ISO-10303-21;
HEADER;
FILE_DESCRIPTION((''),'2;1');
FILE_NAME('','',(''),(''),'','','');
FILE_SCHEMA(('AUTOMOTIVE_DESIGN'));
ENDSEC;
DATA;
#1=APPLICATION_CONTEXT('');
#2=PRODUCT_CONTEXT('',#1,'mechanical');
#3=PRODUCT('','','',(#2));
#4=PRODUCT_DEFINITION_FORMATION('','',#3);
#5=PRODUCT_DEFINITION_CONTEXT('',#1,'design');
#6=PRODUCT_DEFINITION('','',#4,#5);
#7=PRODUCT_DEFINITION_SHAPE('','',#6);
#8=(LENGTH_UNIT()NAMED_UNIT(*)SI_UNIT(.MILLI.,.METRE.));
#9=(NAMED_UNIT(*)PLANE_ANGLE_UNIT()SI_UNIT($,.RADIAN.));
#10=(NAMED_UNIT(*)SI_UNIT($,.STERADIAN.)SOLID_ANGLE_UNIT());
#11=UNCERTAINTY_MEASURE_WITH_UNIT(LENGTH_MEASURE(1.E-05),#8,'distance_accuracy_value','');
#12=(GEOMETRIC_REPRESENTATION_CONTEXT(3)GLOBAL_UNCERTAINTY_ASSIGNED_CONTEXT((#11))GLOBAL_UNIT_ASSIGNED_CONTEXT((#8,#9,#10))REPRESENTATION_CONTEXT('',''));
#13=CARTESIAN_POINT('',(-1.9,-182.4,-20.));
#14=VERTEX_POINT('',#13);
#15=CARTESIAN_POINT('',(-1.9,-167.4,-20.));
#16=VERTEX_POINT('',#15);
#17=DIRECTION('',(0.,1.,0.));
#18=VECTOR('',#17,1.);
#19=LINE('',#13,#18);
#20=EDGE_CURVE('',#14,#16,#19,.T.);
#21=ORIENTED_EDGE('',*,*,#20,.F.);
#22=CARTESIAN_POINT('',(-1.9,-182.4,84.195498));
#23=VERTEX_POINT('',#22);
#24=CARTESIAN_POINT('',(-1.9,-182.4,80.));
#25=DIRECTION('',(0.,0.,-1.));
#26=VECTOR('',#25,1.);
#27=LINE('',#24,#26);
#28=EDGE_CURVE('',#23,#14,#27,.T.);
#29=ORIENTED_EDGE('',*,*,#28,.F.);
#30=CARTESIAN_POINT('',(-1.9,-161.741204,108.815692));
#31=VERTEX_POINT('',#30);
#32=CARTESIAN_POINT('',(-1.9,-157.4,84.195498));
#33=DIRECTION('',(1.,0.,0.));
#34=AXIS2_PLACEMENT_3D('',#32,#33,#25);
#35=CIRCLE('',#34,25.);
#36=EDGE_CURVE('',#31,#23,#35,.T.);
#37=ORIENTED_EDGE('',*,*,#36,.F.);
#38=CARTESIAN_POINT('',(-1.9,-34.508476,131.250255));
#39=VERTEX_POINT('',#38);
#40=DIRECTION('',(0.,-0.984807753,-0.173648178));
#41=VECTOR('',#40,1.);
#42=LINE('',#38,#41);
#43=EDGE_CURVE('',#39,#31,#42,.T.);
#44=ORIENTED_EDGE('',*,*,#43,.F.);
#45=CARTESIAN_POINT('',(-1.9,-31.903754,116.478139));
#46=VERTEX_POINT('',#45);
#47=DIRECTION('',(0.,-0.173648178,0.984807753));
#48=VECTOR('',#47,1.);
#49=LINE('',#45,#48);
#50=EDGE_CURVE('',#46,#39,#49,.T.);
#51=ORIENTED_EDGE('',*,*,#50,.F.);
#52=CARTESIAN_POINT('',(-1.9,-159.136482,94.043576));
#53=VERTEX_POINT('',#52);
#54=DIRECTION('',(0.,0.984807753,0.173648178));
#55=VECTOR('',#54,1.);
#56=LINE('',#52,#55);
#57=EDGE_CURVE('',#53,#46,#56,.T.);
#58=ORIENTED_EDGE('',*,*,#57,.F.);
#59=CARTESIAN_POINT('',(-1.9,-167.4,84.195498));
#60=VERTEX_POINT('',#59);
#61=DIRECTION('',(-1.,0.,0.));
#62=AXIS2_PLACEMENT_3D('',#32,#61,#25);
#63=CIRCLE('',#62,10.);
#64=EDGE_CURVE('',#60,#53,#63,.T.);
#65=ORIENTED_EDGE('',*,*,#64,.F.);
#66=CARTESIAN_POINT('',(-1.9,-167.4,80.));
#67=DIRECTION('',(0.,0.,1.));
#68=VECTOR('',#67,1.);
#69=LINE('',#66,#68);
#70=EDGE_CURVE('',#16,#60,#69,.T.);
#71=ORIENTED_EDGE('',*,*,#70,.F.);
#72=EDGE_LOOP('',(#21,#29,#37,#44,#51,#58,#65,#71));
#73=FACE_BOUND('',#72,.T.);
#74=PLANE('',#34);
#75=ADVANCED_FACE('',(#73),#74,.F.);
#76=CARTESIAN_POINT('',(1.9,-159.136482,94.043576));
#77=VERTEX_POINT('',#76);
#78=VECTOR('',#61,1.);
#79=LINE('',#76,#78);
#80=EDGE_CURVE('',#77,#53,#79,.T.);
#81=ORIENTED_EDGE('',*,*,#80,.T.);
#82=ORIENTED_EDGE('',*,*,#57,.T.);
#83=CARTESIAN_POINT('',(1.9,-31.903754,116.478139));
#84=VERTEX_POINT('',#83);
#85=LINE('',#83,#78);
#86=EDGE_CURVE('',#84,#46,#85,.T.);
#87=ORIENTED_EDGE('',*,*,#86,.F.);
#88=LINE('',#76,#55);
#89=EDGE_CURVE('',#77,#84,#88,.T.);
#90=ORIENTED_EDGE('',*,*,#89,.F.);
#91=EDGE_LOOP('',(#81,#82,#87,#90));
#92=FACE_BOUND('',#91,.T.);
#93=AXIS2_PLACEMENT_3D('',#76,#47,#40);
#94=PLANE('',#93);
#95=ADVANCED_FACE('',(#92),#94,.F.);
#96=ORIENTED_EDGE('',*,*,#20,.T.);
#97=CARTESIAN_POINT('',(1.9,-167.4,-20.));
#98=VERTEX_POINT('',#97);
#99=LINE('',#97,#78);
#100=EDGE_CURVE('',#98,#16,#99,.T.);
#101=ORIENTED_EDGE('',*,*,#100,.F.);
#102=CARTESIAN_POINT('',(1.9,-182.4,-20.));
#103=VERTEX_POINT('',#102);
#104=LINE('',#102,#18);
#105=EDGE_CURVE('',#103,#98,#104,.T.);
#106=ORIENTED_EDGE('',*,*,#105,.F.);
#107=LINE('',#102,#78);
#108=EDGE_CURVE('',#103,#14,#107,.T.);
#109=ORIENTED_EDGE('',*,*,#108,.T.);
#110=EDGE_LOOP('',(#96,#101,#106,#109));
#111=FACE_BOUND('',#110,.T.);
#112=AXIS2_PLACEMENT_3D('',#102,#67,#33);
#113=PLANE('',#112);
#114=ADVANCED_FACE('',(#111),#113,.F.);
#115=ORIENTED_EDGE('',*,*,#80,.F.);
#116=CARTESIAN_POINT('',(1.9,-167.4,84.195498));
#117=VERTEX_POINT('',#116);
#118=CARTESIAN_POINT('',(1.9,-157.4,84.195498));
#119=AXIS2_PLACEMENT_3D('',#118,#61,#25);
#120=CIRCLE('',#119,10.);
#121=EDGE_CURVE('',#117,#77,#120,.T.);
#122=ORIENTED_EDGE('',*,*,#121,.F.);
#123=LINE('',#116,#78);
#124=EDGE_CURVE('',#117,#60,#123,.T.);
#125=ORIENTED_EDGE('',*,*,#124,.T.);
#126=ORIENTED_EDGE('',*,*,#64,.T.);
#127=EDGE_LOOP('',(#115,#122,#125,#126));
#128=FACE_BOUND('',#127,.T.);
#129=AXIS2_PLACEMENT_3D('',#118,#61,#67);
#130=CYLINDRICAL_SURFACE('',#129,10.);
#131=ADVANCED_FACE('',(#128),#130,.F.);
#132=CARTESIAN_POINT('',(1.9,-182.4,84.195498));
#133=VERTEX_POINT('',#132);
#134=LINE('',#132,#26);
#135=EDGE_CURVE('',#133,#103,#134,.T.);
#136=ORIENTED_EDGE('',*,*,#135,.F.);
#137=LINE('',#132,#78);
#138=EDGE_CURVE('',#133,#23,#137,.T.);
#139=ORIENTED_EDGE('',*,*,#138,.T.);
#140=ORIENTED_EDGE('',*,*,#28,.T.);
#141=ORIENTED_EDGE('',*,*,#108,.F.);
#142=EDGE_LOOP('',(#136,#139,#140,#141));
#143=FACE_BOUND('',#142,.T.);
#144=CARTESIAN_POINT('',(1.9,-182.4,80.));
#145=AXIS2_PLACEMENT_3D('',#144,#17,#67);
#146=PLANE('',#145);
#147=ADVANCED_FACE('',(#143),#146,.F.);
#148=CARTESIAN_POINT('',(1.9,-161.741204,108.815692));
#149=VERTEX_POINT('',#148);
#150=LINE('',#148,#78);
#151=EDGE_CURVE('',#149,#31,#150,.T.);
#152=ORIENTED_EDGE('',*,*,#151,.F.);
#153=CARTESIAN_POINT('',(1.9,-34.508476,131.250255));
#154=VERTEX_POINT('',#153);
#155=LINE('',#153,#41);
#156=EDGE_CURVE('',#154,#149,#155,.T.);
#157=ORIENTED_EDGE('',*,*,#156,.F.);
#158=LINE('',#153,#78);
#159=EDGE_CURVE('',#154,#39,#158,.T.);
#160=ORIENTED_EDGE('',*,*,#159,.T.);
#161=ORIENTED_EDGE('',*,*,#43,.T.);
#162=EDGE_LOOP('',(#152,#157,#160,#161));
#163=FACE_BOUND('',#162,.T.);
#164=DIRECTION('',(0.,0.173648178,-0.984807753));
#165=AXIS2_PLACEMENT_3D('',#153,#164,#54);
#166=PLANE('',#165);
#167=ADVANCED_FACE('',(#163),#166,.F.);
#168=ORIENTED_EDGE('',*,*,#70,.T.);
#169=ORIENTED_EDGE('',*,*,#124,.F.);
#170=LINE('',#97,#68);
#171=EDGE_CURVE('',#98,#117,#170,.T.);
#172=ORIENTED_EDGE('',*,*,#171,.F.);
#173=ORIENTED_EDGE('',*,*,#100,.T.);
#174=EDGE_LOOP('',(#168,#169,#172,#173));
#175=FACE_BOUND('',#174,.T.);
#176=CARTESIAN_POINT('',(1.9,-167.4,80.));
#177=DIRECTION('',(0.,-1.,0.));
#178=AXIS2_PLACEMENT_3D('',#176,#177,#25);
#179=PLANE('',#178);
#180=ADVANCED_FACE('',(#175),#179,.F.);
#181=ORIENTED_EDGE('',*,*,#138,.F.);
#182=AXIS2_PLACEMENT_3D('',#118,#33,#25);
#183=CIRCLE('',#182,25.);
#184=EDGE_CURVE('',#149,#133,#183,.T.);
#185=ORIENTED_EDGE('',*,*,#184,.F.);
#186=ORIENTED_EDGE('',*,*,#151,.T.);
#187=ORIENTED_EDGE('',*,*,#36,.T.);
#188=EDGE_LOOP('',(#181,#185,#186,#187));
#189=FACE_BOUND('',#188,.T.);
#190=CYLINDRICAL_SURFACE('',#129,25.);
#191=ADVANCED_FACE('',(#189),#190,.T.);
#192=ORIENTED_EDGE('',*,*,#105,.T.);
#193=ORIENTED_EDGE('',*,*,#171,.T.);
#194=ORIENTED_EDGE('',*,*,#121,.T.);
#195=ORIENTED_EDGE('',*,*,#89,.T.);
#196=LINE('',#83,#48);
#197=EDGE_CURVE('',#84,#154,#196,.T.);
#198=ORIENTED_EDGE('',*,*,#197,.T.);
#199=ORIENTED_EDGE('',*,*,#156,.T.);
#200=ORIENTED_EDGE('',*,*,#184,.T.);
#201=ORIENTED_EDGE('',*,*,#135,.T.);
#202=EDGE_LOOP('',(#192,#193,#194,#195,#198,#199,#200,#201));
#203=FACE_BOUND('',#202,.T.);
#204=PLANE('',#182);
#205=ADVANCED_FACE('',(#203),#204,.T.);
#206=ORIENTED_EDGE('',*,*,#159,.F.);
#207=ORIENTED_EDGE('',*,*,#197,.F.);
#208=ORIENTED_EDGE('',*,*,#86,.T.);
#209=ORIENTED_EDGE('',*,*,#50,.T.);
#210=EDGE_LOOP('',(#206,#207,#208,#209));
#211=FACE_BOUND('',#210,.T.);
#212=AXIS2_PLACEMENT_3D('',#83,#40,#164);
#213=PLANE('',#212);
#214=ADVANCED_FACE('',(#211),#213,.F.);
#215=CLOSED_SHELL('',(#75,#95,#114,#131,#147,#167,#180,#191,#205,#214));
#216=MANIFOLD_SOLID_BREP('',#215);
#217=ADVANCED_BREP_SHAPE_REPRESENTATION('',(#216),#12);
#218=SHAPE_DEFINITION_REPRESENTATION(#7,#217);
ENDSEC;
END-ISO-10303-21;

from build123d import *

# Parameters (mm, degrees)
BOSS_EXTRUDE1_DEPTH = 1.9


with BuildPart() as part:
    # Sketch1 → Boss-Extrude1 (new, symmetric)
    with BuildSketch(Plane(origin=(0, 0, 0), x_dir=(0, 0, -1), z_dir=(1, 0, 0))):
        with BuildLine():
            Line((-84.195498156, -182.4), (-80, -182.4))
            Line((-80, -182.4), (20, -182.4))
            Line((20, -182.4), (20, -167.4))
            Line((20, -167.4), (-80, -167.4))
            Line((-80, -167.4), (-84.195498156, -167.4))
            ThreePointArc((-84.195498156, -167.4), (-90.623374253, -165.060444431), (-94.043575686, -159.136481777))
            Line((-94.043575686, -159.136481777), (-116.478138504, -31.903753538))
            Line((-116.478138504, -31.903753538), (-131.250254799, -34.508476203))
            Line((-131.250254799, -34.508476203), (-108.815691981, -161.741204442))
            ThreePointArc((-108.815691981, -161.741204442), (-100.265188398, -176.551111078), (-84.195498156, -182.4))
        make_face()
    extrude(amount=BOSS_EXTRUDE1_DEPTH, both=True)


solid = part.part
